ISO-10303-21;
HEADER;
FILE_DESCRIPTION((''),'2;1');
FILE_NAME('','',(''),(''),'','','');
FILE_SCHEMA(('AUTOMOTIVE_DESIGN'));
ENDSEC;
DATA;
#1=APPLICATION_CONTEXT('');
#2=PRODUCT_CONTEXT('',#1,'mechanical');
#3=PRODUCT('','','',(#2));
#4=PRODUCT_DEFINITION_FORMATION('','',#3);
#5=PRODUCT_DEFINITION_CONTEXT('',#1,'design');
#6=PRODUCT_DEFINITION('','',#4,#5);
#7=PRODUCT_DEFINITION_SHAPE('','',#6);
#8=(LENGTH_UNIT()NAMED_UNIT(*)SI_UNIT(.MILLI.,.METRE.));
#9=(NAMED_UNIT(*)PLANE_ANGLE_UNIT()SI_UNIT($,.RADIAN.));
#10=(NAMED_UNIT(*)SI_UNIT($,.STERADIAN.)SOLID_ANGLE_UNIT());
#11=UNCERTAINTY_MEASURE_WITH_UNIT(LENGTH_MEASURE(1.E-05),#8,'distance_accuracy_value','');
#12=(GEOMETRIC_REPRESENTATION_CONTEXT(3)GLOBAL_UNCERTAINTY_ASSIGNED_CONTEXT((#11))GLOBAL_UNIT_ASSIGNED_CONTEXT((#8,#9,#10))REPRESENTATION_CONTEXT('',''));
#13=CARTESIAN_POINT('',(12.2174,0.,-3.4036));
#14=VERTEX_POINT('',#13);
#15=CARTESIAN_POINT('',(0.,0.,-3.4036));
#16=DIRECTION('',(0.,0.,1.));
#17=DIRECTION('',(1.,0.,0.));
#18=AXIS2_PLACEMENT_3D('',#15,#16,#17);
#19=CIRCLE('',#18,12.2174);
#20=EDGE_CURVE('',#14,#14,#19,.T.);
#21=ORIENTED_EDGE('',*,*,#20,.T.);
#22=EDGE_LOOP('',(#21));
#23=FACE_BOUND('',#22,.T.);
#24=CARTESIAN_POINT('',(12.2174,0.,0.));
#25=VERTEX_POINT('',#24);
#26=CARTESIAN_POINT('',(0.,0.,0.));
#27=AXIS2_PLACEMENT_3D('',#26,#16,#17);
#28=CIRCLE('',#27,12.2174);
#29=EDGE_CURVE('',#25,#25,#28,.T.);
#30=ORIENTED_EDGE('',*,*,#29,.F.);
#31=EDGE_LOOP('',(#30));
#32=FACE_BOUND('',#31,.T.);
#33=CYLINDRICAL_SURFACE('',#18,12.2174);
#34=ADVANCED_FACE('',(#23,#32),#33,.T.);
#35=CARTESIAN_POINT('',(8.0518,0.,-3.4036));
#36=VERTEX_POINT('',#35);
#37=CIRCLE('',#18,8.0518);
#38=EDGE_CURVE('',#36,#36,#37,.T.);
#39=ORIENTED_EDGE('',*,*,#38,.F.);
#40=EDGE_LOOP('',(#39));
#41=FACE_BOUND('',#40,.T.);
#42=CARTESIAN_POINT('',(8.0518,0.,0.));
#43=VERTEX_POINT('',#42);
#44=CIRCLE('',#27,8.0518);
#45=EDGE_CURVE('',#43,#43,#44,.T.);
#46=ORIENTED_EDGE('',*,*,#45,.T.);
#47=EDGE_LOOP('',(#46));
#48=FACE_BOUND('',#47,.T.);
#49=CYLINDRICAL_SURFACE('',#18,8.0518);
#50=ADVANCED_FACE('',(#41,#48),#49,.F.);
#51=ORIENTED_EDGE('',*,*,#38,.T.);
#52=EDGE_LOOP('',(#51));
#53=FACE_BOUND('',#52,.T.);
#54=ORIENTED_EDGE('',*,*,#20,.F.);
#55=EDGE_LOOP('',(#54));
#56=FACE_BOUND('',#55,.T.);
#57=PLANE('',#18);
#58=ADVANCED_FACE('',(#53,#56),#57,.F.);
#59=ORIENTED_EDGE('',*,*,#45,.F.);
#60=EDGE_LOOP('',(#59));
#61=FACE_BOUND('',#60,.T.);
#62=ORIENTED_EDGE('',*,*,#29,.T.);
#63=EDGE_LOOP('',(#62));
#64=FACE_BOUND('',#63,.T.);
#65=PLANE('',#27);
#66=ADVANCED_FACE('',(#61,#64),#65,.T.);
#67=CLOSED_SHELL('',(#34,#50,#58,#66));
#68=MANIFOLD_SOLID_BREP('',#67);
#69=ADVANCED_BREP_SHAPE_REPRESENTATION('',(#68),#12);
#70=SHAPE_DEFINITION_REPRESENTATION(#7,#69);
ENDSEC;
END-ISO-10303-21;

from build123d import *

# Parameters (mm, degrees)
SKETCH1_R           = 12.2174
SKETCH1_R_2         = 8.0518
BOSS_EXTRUDE1_DEPTH = 3.4036


with BuildPart() as part:
    # Sketch1 → Boss-Extrude1 (new body)
    with BuildSketch(Plane.XY):
        Circle(SKETCH1_R)
        Circle(SKETCH1_R_2, mode=Mode.SUBTRACT)
    extrude(amount=-BOSS_EXTRUDE1_DEPTH)


solid = part.part
